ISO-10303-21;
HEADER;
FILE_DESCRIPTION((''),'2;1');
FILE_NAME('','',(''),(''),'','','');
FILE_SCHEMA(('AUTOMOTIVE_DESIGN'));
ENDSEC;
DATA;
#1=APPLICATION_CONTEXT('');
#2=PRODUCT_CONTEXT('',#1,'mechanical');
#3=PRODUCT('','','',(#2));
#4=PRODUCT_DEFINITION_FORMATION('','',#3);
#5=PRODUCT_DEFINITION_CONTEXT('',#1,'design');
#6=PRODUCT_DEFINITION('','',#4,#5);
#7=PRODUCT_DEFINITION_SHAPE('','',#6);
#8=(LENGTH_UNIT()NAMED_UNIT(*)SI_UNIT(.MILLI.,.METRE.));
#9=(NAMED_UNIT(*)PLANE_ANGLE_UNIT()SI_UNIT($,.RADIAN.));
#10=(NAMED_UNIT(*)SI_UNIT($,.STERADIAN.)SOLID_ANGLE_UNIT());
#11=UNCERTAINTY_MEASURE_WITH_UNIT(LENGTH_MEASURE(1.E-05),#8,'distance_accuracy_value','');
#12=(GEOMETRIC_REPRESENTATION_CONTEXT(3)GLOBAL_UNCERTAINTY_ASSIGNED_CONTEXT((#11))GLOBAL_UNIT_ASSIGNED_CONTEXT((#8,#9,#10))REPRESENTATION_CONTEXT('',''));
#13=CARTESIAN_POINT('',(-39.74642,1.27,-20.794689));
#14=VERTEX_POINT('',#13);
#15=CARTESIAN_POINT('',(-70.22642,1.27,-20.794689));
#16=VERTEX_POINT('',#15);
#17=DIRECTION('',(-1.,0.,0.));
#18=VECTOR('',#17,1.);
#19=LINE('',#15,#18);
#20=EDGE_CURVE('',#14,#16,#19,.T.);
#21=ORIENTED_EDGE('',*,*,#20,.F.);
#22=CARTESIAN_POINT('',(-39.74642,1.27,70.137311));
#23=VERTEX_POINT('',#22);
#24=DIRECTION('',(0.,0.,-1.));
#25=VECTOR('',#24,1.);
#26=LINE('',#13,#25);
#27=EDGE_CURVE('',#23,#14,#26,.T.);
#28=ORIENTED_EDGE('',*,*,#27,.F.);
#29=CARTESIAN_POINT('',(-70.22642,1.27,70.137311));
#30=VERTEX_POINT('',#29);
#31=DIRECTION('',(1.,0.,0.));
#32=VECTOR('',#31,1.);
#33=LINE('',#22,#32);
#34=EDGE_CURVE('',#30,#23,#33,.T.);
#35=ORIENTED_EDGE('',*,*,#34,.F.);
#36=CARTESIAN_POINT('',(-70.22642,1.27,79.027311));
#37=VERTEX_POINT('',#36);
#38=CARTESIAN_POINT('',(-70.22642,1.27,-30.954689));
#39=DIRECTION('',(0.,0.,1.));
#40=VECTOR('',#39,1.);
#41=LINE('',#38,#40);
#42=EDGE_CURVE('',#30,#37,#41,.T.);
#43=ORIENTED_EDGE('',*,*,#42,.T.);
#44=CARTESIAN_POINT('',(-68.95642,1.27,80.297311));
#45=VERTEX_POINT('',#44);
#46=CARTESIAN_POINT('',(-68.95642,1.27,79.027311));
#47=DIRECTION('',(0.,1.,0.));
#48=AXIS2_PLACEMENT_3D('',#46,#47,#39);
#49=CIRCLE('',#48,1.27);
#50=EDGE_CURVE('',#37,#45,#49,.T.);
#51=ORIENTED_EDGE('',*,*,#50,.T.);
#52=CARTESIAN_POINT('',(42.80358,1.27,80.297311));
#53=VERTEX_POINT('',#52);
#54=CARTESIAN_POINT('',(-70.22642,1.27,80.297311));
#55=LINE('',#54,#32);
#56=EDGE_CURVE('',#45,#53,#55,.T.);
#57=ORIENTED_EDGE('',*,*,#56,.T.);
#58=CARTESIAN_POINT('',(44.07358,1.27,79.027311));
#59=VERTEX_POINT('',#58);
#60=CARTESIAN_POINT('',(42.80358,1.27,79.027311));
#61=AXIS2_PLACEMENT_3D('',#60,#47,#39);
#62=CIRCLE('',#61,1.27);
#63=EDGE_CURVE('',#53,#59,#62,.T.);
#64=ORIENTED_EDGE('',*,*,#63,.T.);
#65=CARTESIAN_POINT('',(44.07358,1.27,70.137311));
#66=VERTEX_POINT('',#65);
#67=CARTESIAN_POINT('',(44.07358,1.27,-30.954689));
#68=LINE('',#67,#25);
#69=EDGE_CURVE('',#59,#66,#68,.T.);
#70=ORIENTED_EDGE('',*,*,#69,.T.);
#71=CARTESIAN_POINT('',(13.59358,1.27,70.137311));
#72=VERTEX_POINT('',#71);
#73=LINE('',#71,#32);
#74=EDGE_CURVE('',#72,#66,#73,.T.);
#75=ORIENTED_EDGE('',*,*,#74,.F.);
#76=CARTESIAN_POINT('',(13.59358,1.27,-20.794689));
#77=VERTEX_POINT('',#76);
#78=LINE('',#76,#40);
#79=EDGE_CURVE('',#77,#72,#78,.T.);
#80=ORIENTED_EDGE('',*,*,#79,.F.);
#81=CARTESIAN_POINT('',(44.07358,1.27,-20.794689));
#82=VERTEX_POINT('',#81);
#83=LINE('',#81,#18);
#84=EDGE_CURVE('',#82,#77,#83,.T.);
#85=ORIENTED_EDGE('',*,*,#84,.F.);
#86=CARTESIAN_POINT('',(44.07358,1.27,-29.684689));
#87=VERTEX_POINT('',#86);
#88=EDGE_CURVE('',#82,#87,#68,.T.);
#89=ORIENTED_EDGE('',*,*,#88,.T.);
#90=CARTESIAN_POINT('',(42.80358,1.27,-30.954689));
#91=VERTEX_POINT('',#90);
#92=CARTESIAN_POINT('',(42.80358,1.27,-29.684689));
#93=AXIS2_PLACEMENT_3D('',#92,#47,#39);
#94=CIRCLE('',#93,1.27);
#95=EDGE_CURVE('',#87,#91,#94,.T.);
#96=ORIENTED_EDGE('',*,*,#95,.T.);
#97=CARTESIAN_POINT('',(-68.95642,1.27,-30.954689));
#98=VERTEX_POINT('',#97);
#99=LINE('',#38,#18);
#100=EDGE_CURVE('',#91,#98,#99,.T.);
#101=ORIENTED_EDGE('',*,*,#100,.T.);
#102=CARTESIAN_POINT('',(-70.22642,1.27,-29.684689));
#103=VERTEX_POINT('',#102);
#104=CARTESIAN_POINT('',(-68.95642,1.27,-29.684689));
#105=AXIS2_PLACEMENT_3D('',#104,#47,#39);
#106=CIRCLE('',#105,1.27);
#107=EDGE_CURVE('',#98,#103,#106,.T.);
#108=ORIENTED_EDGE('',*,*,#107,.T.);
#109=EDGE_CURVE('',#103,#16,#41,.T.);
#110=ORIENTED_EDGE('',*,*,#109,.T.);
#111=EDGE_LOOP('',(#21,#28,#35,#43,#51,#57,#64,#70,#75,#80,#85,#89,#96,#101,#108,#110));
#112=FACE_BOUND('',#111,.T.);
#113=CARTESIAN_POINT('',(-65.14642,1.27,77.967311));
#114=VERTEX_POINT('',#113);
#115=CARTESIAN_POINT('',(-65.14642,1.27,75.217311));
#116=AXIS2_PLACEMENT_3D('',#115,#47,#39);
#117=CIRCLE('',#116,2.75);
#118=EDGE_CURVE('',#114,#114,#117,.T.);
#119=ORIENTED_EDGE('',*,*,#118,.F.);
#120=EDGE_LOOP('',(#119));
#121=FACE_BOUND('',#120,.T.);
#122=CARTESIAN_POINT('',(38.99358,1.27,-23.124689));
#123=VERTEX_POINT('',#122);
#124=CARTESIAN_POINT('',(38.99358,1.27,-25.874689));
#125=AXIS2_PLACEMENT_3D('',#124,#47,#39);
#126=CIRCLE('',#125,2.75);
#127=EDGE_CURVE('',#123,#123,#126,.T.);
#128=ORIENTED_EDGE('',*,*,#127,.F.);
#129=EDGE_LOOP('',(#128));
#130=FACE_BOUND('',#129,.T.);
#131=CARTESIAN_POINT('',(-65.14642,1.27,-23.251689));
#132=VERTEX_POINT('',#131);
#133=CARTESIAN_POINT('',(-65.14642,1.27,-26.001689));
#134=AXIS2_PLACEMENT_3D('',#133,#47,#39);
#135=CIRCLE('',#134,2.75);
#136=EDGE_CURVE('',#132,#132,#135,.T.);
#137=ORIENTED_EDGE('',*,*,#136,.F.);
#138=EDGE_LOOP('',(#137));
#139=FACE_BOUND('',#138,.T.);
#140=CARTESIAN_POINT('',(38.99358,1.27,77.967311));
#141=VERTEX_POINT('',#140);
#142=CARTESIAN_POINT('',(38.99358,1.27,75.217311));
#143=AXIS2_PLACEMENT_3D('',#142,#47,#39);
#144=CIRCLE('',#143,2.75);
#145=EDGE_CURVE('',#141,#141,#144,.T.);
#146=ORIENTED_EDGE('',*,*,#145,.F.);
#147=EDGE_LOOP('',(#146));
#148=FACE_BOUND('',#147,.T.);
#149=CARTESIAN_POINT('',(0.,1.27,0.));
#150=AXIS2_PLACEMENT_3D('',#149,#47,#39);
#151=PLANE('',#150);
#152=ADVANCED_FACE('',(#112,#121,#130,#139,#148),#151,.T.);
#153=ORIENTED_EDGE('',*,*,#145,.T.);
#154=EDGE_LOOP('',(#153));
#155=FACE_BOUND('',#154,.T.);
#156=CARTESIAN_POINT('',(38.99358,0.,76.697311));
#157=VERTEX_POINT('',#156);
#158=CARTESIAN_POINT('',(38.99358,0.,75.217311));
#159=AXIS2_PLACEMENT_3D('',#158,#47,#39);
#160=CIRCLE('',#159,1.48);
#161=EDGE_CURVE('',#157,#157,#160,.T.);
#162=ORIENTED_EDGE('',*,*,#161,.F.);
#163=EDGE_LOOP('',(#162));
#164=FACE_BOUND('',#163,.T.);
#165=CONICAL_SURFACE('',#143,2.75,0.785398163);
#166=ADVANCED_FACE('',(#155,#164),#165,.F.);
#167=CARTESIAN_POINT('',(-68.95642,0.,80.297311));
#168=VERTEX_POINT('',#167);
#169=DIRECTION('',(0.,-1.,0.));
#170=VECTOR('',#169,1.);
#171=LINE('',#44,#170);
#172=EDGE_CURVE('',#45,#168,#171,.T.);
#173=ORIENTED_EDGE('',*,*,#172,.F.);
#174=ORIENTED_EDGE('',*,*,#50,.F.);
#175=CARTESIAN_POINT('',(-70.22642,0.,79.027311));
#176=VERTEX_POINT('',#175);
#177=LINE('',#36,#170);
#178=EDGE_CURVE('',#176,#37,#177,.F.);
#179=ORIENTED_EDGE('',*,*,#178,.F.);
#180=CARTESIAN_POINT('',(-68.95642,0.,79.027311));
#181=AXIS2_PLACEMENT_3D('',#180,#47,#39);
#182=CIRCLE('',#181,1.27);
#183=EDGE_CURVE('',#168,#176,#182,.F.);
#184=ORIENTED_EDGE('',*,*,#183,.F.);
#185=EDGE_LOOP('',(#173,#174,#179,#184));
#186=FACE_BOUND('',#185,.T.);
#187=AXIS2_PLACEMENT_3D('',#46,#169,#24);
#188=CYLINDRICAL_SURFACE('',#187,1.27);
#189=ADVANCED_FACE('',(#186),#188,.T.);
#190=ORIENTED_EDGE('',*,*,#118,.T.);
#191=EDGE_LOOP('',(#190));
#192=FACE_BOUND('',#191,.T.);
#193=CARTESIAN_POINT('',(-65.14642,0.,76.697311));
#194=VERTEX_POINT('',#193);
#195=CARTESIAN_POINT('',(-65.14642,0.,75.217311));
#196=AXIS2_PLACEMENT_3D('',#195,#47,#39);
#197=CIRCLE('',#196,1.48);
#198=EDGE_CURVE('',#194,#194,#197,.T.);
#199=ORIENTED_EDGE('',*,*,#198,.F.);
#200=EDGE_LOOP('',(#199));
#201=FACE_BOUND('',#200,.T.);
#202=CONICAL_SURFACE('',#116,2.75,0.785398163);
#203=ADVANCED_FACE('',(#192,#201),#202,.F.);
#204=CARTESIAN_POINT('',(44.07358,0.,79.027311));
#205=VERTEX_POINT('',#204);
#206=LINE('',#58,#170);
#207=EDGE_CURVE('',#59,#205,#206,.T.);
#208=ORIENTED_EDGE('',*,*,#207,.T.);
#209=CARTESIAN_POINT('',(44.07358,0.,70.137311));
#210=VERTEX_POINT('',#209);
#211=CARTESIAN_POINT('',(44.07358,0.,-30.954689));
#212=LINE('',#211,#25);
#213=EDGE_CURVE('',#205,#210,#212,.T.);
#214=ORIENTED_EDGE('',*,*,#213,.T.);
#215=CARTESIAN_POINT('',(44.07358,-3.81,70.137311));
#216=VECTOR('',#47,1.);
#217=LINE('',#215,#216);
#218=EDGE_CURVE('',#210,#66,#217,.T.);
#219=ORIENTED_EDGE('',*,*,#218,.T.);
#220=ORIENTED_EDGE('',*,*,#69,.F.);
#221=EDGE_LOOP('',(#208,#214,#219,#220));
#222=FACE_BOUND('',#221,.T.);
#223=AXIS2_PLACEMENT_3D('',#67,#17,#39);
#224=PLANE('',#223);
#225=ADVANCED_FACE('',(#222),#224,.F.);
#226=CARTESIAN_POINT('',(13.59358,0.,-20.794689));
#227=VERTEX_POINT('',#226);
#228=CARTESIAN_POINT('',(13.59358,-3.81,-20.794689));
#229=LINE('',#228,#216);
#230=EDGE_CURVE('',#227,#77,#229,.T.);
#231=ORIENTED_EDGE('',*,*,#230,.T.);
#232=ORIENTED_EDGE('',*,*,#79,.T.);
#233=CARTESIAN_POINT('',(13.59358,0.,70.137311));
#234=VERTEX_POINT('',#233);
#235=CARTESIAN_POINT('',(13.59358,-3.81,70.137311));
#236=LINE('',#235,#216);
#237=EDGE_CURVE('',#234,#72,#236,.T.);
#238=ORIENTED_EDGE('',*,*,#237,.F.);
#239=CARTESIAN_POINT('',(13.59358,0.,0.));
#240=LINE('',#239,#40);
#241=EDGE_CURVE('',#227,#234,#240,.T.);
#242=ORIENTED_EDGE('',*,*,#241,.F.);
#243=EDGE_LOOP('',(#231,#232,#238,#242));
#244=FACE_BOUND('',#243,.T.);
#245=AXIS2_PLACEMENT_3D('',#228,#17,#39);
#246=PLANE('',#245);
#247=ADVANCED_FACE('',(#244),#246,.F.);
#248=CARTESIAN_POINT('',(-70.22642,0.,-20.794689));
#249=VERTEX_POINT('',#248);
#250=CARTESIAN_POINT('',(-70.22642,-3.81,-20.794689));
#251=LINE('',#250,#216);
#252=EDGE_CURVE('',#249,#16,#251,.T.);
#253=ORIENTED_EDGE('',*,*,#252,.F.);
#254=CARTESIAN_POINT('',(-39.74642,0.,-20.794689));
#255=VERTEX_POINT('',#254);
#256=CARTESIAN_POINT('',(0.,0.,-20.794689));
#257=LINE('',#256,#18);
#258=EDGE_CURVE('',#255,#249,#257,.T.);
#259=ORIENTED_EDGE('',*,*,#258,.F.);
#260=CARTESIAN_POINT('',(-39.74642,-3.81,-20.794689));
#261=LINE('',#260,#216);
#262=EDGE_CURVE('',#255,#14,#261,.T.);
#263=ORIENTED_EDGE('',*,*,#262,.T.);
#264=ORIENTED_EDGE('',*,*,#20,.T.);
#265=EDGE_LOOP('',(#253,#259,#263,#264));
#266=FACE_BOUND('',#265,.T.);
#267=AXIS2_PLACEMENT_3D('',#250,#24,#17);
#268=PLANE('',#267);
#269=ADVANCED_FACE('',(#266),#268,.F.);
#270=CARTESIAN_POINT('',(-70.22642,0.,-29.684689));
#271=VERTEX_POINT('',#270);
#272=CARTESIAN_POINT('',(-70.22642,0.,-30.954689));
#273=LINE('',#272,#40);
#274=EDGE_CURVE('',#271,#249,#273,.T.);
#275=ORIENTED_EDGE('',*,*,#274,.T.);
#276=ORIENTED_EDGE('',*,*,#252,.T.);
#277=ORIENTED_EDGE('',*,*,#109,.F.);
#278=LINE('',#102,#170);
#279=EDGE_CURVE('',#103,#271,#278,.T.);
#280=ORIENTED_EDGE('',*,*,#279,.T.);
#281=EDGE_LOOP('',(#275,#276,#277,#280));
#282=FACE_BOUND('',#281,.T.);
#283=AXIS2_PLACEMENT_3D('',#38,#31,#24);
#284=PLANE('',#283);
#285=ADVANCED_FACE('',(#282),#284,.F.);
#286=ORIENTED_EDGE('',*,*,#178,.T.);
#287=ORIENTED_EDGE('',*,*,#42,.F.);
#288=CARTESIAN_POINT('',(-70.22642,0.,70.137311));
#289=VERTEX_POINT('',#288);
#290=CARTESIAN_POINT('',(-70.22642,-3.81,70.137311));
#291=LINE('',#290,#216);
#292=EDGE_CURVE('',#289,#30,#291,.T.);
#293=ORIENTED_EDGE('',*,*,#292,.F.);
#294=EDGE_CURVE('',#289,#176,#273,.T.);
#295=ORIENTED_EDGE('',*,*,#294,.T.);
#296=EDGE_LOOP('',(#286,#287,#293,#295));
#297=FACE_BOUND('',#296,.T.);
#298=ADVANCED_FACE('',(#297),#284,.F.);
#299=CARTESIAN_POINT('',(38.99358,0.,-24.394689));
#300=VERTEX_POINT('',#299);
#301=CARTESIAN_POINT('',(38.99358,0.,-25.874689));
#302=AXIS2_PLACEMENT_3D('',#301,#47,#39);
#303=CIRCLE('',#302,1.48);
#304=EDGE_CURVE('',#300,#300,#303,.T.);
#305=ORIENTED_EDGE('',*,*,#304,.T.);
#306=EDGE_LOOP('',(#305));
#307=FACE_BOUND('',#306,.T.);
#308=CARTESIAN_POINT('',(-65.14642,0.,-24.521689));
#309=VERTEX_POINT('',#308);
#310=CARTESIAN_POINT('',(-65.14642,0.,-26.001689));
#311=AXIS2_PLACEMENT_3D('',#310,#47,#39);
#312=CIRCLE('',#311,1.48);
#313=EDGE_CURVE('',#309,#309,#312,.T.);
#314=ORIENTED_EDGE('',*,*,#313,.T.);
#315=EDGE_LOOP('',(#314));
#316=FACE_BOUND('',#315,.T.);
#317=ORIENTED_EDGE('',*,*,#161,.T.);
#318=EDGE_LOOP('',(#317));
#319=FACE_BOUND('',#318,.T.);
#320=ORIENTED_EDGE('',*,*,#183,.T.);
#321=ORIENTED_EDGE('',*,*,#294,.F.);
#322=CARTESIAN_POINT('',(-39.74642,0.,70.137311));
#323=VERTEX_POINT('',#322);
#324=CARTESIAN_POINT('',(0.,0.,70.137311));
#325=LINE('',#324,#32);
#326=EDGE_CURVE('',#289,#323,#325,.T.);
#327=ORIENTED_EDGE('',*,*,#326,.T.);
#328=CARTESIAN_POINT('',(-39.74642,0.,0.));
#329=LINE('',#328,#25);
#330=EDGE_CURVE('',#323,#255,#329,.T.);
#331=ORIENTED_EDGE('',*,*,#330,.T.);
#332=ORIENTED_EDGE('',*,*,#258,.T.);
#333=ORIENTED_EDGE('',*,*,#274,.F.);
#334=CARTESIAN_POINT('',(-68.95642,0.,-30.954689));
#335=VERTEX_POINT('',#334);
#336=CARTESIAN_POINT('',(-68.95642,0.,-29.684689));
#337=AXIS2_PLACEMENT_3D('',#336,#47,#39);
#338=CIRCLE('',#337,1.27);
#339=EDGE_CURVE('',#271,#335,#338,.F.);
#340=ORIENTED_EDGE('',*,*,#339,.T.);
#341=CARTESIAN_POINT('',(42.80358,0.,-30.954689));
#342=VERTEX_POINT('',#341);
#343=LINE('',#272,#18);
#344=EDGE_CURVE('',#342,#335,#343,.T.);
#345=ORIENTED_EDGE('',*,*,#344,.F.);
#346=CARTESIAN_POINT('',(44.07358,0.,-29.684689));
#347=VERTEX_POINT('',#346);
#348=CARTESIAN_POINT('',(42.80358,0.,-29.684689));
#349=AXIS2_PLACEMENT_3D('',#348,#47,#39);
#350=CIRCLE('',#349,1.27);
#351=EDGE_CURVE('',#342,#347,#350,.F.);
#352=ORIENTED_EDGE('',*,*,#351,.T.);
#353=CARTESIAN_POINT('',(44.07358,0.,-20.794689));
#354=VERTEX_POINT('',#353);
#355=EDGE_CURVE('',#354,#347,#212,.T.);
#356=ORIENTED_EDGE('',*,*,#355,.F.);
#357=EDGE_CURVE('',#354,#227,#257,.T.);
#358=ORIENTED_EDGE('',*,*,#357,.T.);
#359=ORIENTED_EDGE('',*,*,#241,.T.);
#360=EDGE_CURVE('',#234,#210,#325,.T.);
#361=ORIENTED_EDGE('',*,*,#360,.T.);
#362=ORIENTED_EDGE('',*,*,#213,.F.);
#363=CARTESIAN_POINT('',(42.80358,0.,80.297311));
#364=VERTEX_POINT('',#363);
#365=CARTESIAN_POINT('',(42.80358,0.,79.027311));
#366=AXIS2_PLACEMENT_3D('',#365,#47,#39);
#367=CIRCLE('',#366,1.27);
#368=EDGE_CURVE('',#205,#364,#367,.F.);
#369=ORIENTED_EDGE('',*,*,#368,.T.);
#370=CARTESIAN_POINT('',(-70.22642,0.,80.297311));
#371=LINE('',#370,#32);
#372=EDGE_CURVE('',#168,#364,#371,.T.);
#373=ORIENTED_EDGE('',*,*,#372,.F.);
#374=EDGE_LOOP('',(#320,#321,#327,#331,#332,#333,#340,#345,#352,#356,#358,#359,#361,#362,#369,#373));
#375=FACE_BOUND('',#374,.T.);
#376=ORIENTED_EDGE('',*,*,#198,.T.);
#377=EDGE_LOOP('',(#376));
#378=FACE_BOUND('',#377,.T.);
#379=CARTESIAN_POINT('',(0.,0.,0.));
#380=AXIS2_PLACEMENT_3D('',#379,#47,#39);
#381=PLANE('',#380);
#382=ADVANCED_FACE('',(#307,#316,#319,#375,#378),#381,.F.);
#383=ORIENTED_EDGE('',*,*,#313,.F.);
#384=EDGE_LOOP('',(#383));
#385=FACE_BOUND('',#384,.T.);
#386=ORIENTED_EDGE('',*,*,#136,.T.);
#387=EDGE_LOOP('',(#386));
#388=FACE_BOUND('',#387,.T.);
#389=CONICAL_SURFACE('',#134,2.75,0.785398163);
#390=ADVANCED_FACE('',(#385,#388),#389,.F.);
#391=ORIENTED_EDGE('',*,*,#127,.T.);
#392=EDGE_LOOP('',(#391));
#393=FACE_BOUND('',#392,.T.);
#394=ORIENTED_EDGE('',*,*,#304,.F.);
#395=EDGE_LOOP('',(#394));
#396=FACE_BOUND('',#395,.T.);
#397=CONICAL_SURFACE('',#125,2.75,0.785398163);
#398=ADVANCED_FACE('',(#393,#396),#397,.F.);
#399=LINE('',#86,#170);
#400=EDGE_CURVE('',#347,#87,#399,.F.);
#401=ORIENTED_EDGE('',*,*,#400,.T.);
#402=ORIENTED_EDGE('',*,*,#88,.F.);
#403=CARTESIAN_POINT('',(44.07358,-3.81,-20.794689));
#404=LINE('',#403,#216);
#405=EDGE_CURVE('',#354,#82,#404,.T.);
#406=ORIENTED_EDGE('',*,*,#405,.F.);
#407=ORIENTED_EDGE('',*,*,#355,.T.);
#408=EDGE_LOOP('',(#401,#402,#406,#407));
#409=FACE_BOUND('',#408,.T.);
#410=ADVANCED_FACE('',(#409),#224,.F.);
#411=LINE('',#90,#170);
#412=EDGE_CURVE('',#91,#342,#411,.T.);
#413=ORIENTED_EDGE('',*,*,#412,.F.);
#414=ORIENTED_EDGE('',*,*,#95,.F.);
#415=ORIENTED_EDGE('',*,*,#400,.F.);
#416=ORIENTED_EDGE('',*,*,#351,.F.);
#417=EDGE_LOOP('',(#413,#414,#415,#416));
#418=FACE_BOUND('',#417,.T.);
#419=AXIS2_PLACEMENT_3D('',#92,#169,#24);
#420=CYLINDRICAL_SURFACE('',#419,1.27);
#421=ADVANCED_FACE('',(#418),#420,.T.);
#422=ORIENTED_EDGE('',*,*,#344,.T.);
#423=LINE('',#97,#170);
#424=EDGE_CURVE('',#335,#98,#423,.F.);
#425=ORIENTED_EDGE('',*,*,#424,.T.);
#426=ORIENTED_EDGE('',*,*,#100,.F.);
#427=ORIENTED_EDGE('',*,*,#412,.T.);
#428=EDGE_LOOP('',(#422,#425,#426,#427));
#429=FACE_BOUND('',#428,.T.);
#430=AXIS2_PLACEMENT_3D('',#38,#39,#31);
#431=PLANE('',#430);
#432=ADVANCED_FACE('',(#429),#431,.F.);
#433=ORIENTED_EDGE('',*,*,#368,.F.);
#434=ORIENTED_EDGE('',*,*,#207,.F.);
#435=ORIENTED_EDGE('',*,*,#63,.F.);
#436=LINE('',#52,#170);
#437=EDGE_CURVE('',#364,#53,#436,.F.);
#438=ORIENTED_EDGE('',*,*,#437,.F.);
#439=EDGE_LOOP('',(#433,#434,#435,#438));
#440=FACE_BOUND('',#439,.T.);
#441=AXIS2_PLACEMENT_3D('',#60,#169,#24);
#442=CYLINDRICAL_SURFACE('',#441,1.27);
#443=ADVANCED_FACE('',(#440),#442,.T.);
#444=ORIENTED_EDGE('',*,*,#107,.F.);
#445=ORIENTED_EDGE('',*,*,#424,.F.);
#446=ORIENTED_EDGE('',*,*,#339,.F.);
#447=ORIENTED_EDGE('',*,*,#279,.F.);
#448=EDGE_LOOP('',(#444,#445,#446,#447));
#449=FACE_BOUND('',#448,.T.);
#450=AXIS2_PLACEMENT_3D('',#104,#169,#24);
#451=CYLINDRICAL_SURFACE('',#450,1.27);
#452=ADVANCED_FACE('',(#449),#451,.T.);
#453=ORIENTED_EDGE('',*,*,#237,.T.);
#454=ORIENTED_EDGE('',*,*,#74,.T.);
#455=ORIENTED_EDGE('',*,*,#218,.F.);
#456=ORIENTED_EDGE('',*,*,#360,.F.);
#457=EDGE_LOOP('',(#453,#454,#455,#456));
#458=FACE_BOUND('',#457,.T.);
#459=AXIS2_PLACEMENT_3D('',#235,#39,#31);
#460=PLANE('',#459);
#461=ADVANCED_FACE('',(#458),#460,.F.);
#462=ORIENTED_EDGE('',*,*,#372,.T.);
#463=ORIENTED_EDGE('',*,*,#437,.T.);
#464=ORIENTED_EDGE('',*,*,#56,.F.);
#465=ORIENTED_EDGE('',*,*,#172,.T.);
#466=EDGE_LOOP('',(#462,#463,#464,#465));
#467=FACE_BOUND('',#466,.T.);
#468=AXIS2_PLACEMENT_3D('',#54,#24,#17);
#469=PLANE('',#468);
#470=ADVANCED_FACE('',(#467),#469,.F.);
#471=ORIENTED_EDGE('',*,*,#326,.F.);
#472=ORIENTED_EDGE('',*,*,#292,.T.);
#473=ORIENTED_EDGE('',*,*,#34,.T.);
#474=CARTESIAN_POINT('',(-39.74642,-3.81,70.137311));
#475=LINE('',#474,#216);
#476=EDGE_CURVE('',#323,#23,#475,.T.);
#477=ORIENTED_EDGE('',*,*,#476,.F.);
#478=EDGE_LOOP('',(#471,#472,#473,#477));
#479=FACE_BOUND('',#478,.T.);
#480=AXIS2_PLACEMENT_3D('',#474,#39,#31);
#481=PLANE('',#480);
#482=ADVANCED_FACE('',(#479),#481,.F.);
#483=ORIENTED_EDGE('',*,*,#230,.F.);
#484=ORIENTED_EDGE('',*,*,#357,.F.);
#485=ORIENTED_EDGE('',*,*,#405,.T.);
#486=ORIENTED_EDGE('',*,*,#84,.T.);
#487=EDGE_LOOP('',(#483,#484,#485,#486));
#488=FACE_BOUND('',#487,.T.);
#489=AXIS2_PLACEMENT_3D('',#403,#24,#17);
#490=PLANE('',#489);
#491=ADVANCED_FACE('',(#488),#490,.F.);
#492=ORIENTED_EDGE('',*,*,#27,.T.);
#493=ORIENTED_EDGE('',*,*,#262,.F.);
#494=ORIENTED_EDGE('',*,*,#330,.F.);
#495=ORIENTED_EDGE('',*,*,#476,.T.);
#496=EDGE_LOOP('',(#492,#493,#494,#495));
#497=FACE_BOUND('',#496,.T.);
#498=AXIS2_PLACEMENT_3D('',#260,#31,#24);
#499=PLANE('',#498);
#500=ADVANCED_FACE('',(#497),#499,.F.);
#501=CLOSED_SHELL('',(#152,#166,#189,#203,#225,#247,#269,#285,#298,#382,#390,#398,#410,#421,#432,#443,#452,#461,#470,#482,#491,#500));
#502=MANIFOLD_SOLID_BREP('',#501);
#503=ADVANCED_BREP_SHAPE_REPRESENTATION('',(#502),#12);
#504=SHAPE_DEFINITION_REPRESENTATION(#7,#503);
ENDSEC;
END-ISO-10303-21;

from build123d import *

# Parameters (mm, degrees)
SKETCH1_W                                    = 114.3
SKETCH1_H                                    = 111.252
BOSS_EXTRUDE1_DEPTH                          = 1.27
CSK_FOR_M2_5_COUNTERSUNK_FLAT_HEAD_S_2_COUNT = 2
CSK_FOR_M2_5_COUNTERSUNK_FLAT_HEAD_S_2_PITCH = 104.140077439
CSK_FOR_M2_5_COUNTERSUNK_FLAT_HEAD_S_3_COUNT = 2
CSK_FOR_M2_5_COUNTERSUNK_FLAT_HEAD_S_3_PITCH = 145.225430146
CSK_FOR_M2_5_COUNTERSUNK_FLAT_HEAD_S_4_COUNT = 2
CSK_FOR_M2_5_COUNTERSUNK_FLAT_HEAD_S_4_PITCH = 101.219
FILLET1_R                                    = 1.27
SKETCH9_W                                    = 30.48
SKETCH9_H                                    = 90.932
CUT_EXTRUDE5_DEPTH                           = 5.08


with BuildPart() as part:
    # Sketch1 → Boss-Extrude1 (new body)
    with BuildSketch(Plane(origin=(0, 0, 0), x_dir=(1, 0, 0), z_dir=(0, 1, 0))):
        with Locations((-13.076419672, -24.671311475)):
            Rectangle(SKETCH1_W, SKETCH1_H)
    extrude(amount=BOSS_EXTRUDE1_DEPTH)

    # Sketch3 → CSK for M2.5 Countersunk Flat Head Screw1 (revolve, cut)
    with BuildSketch(Plane(origin=(-65.146419672, 1.27, -26.001688525), x_dir=(0, 0, 1), z_dir=(1, 0, 0))):
        Polygon((0, 0), (0, 1.27), (1.45, 1.27), (1.45, 1.3), (2.75, 0), align=None)
    csk_for_m2_5_countersunk_flat_head_screw = revolve(axis=Axis((-65.146419672, 7.62, -26.001688525), (0, -1, 0)), mode=Mode.SUBTRACT)

    # CSK for M2.5 Countersunk Flat Head S 2: CSK for M2.5 Countersunk Flat Head Screw1 ×2
    with Locations(*[Vector(0.9999992563958324, 0, 0.0012195112882876242) * (i * CSK_FOR_M2_5_COUNTERSUNK_FLAT_HEAD_S_2_PITCH) for i in range(1, CSK_FOR_M2_5_COUNTERSUNK_FLAT_HEAD_S_2_COUNT)]):
        add(csk_for_m2_5_countersunk_flat_head_screw, mode=Mode.SUBTRACT)

    # CSK for M2.5 Countersunk Flat Head S 3: CSK for M2.5 Countersunk Flat Head Screw1 ×2
    with Locations(*[Vector(0.7170920402544414, 0, 0.6969784830277923) * (i * CSK_FOR_M2_5_COUNTERSUNK_FLAT_HEAD_S_3_PITCH) for i in range(1, CSK_FOR_M2_5_COUNTERSUNK_FLAT_HEAD_S_3_COUNT)]):
        add(csk_for_m2_5_countersunk_flat_head_screw, mode=Mode.SUBTRACT)

    # CSK for M2.5 Countersunk Flat Head S 4: CSK for M2.5 Countersunk Flat Head Screw1 ×2
    with Locations(*[(0, 0, i * CSK_FOR_M2_5_COUNTERSUNK_FLAT_HEAD_S_4_PITCH) for i in range(1, CSK_FOR_M2_5_COUNTERSUNK_FLAT_HEAD_S_4_COUNT)]):
        add(csk_for_m2_5_countersunk_flat_head_screw, mode=Mode.SUBTRACT)

    # Fillet1
    fillet1_edges = [part.edges().sort_by_distance(p)[0] for p in [
        (-70.226419672, 0.635, -30.954688525),
        (44.073580328, 0.635, -30.954688525),
        (44.073580328, 0.635, 80.297311475),
        (-70.226419672, 0.635, 80.297311475),
    ]]
    fillet(fillet1_edges, radius=FILLET1_R)

    # Sketch9 → Cut-Extrude5 (cut)
    with BuildSketch(Plane(origin=(0, 1.27, 0), x_dir=(1, 0, 0), z_dir=(0, 1, 0))):
        with Locations((28.833580328, -24.671311475)):
            Rectangle(SKETCH9_W, SKETCH9_H)
        with Locations((-54.986419672, -24.671311475)):
            Rectangle(SKETCH9_W, SKETCH9_H)
    extrude(amount=-CUT_EXTRUDE5_DEPTH, mode=Mode.SUBTRACT)


solid = part.part
